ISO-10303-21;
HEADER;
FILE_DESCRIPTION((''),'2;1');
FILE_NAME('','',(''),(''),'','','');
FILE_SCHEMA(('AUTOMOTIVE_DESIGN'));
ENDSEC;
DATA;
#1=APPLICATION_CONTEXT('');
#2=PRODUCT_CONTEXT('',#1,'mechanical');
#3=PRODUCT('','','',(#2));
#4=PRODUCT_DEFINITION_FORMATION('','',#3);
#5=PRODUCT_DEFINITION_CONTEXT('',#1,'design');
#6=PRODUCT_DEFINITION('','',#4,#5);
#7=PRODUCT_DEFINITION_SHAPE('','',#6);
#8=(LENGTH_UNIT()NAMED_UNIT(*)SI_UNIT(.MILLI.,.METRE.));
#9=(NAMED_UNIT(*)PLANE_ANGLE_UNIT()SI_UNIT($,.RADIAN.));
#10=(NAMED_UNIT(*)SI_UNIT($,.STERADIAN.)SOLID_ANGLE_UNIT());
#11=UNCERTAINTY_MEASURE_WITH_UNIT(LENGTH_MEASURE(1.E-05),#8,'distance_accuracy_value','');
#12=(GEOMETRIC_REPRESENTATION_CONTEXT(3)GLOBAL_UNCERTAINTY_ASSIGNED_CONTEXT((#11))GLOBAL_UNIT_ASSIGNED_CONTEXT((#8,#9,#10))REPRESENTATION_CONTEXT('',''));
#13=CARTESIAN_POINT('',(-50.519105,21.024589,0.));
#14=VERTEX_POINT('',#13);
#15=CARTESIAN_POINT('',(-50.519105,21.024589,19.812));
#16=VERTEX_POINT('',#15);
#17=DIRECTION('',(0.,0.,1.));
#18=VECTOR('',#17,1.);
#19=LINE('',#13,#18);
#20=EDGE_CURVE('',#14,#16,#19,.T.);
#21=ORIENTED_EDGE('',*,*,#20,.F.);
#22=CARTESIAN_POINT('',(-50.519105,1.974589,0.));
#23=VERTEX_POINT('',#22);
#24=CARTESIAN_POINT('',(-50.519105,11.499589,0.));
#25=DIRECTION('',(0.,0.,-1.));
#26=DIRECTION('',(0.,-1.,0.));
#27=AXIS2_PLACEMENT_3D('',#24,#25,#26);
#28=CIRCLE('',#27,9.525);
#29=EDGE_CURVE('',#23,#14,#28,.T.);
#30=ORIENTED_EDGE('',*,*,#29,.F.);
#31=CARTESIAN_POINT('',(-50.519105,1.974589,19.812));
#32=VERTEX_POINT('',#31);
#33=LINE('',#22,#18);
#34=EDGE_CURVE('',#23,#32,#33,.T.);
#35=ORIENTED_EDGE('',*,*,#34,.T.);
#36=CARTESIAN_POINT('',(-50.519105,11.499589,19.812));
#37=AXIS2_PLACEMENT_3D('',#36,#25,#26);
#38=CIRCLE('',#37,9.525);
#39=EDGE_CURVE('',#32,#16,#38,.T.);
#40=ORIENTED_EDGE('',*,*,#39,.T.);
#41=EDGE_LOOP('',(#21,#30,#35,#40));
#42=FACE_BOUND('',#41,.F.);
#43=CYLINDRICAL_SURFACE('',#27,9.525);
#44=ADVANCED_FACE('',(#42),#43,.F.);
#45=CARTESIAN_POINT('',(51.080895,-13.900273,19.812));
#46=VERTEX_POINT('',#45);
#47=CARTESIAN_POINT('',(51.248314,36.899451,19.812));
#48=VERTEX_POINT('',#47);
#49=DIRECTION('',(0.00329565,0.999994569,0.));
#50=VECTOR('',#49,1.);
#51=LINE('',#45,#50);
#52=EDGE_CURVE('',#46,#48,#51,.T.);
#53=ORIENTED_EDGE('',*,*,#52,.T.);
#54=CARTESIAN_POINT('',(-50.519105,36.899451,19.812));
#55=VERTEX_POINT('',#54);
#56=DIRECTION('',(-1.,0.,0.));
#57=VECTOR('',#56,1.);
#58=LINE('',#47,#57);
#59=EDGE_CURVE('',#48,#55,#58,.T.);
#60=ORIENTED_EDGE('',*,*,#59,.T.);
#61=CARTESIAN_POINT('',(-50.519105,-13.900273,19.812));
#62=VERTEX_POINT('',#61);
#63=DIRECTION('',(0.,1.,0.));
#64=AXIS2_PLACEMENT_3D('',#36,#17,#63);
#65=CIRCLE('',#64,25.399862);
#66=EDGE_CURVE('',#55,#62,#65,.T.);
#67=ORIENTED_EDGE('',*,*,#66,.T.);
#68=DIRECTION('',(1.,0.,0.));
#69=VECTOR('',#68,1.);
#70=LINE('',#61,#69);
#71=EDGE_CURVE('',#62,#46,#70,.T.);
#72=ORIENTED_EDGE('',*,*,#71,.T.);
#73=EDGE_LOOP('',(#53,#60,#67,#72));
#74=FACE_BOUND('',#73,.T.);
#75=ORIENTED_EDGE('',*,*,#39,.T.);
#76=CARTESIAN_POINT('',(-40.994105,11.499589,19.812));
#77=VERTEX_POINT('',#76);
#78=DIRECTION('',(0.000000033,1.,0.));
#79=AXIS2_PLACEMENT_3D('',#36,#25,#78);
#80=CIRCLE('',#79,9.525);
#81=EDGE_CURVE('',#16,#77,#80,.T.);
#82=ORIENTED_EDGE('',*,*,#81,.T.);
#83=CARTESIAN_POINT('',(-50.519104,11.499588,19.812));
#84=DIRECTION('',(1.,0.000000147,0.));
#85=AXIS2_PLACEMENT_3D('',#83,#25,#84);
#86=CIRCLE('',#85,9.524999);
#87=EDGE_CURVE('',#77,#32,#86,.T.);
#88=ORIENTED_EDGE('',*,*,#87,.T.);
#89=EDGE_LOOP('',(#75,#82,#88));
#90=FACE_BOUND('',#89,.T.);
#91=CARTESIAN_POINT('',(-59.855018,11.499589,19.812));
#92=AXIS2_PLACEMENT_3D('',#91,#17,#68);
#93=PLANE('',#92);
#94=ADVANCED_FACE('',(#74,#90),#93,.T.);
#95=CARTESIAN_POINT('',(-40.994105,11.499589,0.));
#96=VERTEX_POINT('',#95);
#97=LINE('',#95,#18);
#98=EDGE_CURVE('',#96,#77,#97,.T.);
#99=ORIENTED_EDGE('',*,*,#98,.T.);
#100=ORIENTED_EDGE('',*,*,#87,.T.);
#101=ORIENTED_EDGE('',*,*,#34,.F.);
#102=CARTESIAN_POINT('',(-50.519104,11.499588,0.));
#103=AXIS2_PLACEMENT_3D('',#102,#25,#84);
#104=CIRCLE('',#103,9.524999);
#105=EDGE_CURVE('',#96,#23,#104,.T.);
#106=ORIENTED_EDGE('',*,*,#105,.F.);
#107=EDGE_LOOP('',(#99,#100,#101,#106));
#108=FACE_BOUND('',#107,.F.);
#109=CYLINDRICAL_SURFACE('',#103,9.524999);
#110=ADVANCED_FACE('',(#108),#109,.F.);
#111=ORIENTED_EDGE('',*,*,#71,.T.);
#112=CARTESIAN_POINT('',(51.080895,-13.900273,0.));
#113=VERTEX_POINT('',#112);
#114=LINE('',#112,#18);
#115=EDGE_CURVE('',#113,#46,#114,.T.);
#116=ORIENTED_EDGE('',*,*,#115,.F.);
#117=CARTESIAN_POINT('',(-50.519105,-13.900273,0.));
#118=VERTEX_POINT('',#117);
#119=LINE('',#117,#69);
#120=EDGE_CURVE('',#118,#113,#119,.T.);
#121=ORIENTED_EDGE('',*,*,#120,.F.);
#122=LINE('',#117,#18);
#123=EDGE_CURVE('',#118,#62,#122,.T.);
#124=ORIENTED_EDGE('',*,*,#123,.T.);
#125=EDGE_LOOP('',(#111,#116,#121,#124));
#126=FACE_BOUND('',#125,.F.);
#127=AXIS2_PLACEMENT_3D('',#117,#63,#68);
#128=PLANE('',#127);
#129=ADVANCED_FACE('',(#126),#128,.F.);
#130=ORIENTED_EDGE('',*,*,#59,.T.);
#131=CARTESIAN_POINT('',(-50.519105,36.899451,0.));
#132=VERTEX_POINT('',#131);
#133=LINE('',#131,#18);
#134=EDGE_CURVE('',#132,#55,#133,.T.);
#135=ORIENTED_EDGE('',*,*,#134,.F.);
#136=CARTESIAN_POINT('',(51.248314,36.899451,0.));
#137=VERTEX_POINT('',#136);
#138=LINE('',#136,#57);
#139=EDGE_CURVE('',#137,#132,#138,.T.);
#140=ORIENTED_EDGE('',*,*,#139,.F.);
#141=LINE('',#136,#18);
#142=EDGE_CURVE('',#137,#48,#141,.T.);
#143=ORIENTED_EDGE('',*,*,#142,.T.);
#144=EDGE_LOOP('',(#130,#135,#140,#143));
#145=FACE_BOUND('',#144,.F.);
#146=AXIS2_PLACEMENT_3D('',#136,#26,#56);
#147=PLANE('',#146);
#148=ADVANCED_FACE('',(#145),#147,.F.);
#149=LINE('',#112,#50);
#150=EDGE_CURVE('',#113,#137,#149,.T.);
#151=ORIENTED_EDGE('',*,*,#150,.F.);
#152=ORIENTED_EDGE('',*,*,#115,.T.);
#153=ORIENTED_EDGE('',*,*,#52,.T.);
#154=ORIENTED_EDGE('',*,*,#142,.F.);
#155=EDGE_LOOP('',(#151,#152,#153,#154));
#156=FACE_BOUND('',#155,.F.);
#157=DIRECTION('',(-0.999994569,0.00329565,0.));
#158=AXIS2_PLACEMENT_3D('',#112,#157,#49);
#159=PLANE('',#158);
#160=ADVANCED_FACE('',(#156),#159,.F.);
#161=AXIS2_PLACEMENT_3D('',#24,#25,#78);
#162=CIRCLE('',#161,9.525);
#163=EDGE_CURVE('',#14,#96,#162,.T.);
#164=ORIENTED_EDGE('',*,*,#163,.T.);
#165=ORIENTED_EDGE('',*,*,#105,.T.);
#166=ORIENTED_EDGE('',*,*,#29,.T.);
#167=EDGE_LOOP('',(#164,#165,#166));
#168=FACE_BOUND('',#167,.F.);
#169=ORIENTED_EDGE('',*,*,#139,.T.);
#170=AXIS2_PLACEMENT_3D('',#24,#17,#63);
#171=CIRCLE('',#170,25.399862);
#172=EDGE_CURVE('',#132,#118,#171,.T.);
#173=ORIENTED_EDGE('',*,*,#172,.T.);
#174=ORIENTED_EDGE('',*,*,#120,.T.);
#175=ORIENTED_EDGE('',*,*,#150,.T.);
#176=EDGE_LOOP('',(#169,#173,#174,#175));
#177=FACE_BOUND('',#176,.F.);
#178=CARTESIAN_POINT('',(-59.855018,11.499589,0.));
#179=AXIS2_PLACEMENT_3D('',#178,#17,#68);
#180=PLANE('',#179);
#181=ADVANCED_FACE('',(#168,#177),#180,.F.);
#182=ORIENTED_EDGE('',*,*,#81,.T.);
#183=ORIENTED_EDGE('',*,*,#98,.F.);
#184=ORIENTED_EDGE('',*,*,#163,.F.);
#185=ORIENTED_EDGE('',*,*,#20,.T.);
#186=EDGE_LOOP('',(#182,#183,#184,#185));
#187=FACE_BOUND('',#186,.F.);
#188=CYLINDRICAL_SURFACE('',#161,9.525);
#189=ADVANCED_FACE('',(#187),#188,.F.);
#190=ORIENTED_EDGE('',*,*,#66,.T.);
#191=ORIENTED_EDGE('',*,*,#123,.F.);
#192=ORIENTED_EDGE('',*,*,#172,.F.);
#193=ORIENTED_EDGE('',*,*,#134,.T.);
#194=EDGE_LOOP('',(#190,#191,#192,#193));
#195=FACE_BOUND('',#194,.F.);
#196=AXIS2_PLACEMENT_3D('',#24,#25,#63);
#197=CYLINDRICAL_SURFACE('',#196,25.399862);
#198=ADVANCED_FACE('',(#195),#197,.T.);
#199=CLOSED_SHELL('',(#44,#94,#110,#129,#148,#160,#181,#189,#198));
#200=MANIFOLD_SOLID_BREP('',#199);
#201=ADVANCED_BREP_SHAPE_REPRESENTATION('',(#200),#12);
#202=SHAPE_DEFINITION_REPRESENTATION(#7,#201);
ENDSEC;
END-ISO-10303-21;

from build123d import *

# Parameters (mm, degrees)
F1_DEPTH = 19.812


with BuildPart() as f1:
    # F0 (on Top) → F1 (new body)
    with BuildSketch(Plane.XY):
        with BuildLine():
            Line((-50.519105, 21.024589), (-50.519105, 36.899451))
            ThreePointArc((-50.519105, 36.899451), (-75.918967, 11.499589), (-50.519105, -13.900273))
            Line((-50.519105, -13.900273), (-50.519105, 1.974589))
            ThreePointArc((-50.519105, 1.974589), (-60.044105, 11.499589), (-50.519105, 21.024589))
        make_face()
        with BuildLine():
            Line((51.248314, 36.899451), (-50.519105, 36.899451))
            Line((-50.519105, 36.899451), (-50.519105, 21.024589))
            ThreePointArc((-50.519105, 21.024589), (-43.783913, 18.234781), (-40.994105, 11.499589))
            ThreePointArc((-40.994105, 11.499589), (-43.783913, 4.764396), (-50.519105, 1.974589))
            Line((-50.519105, 1.974589), (-50.519105, -13.900273))
            Line((-50.519105, -13.900273), (51.080895, -13.900273))
            Line((51.080895, -13.900273), (51.248314, 36.899451))
        make_face()
    extrude(amount=F1_DEPTH)


solid = f1.part
